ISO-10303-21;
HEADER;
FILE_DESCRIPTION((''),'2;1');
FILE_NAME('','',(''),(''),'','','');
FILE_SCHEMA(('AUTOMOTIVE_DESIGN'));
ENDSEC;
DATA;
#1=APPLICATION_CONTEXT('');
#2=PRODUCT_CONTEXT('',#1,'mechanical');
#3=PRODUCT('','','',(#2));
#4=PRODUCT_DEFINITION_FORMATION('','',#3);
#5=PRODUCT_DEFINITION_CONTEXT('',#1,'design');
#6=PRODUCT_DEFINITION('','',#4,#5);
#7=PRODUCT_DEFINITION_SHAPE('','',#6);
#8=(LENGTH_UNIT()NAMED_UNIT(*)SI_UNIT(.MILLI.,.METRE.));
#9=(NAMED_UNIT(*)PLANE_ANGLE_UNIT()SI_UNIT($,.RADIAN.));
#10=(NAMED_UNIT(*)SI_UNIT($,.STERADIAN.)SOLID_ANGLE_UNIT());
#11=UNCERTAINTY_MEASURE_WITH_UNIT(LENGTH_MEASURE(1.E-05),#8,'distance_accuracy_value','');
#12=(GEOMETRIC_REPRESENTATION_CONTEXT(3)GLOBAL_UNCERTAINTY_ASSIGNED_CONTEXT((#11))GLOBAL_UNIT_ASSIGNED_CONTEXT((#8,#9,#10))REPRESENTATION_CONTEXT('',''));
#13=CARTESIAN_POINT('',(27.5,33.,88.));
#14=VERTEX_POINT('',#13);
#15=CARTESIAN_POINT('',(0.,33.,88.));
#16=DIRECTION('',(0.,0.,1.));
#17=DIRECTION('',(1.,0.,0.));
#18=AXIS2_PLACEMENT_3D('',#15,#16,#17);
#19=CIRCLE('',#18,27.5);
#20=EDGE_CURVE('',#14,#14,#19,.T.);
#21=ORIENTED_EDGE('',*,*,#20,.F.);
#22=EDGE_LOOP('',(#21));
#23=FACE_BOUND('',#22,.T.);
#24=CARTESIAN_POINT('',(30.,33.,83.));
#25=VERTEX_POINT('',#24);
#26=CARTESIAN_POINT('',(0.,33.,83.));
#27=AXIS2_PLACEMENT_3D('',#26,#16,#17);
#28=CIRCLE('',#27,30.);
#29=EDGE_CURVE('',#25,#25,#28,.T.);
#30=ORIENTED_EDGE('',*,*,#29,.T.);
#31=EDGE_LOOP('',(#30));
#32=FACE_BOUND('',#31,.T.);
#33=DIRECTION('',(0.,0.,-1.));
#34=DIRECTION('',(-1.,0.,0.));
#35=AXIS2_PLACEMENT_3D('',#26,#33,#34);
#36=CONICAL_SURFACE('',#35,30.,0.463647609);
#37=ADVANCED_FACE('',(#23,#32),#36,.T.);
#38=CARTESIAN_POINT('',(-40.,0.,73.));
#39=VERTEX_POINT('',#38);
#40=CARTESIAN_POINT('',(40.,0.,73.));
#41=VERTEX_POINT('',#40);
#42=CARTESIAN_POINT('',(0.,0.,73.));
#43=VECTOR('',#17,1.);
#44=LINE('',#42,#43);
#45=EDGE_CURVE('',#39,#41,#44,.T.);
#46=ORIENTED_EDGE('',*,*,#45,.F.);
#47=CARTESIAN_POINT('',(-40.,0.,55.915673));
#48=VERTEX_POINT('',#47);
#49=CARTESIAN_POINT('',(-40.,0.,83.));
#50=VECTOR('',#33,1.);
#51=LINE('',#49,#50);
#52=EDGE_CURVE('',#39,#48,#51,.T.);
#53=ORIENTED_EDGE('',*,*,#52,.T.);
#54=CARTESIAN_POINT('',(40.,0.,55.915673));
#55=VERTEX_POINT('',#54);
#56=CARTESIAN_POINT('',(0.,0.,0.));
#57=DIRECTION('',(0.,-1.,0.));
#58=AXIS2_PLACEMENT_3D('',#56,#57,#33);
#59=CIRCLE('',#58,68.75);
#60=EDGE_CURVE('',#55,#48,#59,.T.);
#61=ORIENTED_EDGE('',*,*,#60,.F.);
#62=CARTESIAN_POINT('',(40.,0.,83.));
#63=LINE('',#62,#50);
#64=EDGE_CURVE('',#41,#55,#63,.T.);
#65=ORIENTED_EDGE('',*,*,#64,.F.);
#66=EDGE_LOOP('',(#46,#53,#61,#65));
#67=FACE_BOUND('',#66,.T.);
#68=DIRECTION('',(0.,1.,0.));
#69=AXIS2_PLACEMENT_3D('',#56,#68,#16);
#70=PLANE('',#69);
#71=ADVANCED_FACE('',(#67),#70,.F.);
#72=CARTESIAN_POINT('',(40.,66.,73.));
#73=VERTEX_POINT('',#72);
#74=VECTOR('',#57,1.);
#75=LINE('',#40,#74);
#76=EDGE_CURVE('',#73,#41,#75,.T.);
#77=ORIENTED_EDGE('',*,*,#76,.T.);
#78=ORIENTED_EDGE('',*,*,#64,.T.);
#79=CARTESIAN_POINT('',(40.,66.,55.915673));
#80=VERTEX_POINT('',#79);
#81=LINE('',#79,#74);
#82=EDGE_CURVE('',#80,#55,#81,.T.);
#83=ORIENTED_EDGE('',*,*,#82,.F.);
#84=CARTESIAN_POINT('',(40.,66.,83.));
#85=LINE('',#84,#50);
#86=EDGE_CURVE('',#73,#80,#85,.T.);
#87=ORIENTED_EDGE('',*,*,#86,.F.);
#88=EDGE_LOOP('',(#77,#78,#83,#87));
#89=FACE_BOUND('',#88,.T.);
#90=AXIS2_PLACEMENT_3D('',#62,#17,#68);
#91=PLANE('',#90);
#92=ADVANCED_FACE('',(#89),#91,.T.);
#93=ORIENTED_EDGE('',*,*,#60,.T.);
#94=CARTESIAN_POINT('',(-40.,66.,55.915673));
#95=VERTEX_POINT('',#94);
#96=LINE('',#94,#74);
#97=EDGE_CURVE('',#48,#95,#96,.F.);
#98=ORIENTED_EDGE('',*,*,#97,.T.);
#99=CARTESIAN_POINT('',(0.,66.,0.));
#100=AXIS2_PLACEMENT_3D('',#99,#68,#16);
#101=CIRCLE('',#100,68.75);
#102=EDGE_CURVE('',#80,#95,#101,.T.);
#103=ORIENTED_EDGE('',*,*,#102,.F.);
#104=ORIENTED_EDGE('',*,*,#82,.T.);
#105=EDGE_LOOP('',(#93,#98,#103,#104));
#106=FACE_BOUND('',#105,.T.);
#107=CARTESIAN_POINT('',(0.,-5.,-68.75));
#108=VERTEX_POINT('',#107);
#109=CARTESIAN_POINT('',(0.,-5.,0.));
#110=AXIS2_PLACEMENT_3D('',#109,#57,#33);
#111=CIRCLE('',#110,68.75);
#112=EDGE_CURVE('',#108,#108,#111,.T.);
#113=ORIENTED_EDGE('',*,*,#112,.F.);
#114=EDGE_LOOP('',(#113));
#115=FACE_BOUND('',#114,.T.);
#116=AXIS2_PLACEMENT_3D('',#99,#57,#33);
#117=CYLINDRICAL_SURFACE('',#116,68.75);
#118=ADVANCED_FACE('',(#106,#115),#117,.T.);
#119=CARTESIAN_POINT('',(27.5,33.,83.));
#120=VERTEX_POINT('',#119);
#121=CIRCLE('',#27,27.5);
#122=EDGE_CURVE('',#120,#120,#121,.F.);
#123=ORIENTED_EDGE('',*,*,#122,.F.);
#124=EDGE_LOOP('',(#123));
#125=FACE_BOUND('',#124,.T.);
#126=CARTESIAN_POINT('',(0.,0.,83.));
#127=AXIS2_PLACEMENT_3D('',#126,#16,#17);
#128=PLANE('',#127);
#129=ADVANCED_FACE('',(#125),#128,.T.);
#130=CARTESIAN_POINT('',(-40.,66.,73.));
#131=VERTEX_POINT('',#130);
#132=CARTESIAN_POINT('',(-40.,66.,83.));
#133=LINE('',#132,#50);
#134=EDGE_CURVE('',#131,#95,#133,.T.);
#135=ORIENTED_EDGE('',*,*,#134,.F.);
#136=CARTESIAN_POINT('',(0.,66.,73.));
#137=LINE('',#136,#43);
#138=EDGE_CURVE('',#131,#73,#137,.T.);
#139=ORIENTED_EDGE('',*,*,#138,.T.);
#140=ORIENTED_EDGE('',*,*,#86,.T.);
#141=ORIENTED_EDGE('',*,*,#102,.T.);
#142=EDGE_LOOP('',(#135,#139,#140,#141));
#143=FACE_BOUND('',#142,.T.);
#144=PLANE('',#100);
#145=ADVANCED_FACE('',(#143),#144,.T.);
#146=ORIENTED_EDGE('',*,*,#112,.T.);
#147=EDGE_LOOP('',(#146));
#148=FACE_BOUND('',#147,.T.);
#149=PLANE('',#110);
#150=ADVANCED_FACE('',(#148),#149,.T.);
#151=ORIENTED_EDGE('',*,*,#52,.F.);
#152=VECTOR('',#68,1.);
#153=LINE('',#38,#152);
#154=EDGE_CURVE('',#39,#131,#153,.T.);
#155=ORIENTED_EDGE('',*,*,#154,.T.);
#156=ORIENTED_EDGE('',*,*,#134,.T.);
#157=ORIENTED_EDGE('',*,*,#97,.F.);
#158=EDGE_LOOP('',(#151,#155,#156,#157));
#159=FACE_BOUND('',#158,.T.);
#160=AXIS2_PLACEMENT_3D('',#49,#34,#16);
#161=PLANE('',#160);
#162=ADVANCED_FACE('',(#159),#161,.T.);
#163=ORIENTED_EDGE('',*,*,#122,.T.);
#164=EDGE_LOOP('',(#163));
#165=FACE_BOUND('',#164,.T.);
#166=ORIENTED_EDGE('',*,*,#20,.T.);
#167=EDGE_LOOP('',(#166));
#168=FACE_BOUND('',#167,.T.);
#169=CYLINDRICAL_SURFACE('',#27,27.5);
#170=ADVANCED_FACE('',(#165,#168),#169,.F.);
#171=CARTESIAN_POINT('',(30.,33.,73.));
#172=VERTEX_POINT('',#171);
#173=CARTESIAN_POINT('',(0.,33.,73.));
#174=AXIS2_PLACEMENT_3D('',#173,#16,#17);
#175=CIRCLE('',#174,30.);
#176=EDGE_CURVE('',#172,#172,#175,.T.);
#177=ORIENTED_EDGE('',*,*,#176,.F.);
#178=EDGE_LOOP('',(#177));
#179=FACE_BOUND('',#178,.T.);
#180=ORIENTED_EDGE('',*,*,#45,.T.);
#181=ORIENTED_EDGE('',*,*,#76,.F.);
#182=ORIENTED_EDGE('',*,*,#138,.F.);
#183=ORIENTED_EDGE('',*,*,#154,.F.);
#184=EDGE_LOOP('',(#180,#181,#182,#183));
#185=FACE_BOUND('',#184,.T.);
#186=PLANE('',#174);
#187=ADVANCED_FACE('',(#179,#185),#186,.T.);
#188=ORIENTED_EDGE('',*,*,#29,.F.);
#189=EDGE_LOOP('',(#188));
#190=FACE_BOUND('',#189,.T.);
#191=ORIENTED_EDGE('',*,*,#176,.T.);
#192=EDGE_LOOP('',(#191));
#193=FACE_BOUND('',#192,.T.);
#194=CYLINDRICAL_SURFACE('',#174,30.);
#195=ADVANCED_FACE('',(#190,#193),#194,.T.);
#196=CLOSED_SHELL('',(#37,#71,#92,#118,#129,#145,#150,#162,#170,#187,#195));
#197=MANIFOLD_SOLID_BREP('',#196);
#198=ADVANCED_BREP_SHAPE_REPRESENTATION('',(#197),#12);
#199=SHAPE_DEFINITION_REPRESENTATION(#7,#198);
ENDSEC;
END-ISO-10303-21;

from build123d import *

# Parameters (mm, degrees)
SKETCH1_R           = 68.75
BOSS_EXTRUDE1_DEPTH = 66
BOSS_EXTRUDE3_DEPTH = 83
SKETCH5_R           = 56.242985336
SKETCH5_R_2         = 30
CUT_EXTRUDE2_DEPTH  = 10
BOSS_EXTRUDE4_START = 5
SKETCH6_R           = 68.75
BOSS_EXTRUDE4_DEPTH = 5


with BuildPart() as part:
    # Sketch1 → Boss-Extrude1 (new body)
    with BuildSketch(Plane(origin=(0, 0, 0), x_dir=(1, 0, 0), z_dir=(0, 1, 0))):
        with Locations(Location((0, 0, 0), (0, 0, 270))):
            Circle(SKETCH1_R)
    extrude(amount=BOSS_EXTRUDE1_DEPTH)

    # Sketch2 → Boss-Extrude3 (add)
    with BuildSketch(Plane.XY):
        Polygon((-40, 66), (-40, 0), (0, 0), (40, 0), (40, 66), align=None)
    extrude(amount=BOSS_EXTRUDE3_DEPTH)

    # Sketch4 → Revolve1 (revolve)
    with BuildSketch(Plane(origin=(0, 0, 0), x_dir=(0, 0, -1), z_dir=(1, 0, 0)), mode=Mode.PRIVATE) as revolve1_sk:
        Polygon((-83, 5.5), (-88, 5.5), (-83, 3), align=None)
    revolve(revolve1_sk.sketch.rotate(Axis((0, 33, 83), (0, 0, -1)), 270), axis=Axis((0, 33, 83), (0, 0, -1)))

    # Sketch5 → Cut-Extrude2 (cut)
    with BuildSketch(Plane.XY.offset(83)):
        with Locations((0, 33)):
            Circle(SKETCH5_R)
        with Locations((0, 33)):
            Circle(SKETCH5_R_2, mode=Mode.SUBTRACT)
    extrude(amount=-CUT_EXTRUDE2_DEPTH, mode=Mode.SUBTRACT)

    # Sketch6 → Boss-Extrude4 (add)
    with BuildSketch(Plane(origin=(0, 0, 0), x_dir=(-1, 0, 0), z_dir=(0, -1, 0)).offset(BOSS_EXTRUDE4_START)):
        with Locations(Location((0, 0, 0), (0, 0, 90))):
            Circle(SKETCH6_R)
    extrude(amount=-BOSS_EXTRUDE4_DEPTH)


solid = part.part
